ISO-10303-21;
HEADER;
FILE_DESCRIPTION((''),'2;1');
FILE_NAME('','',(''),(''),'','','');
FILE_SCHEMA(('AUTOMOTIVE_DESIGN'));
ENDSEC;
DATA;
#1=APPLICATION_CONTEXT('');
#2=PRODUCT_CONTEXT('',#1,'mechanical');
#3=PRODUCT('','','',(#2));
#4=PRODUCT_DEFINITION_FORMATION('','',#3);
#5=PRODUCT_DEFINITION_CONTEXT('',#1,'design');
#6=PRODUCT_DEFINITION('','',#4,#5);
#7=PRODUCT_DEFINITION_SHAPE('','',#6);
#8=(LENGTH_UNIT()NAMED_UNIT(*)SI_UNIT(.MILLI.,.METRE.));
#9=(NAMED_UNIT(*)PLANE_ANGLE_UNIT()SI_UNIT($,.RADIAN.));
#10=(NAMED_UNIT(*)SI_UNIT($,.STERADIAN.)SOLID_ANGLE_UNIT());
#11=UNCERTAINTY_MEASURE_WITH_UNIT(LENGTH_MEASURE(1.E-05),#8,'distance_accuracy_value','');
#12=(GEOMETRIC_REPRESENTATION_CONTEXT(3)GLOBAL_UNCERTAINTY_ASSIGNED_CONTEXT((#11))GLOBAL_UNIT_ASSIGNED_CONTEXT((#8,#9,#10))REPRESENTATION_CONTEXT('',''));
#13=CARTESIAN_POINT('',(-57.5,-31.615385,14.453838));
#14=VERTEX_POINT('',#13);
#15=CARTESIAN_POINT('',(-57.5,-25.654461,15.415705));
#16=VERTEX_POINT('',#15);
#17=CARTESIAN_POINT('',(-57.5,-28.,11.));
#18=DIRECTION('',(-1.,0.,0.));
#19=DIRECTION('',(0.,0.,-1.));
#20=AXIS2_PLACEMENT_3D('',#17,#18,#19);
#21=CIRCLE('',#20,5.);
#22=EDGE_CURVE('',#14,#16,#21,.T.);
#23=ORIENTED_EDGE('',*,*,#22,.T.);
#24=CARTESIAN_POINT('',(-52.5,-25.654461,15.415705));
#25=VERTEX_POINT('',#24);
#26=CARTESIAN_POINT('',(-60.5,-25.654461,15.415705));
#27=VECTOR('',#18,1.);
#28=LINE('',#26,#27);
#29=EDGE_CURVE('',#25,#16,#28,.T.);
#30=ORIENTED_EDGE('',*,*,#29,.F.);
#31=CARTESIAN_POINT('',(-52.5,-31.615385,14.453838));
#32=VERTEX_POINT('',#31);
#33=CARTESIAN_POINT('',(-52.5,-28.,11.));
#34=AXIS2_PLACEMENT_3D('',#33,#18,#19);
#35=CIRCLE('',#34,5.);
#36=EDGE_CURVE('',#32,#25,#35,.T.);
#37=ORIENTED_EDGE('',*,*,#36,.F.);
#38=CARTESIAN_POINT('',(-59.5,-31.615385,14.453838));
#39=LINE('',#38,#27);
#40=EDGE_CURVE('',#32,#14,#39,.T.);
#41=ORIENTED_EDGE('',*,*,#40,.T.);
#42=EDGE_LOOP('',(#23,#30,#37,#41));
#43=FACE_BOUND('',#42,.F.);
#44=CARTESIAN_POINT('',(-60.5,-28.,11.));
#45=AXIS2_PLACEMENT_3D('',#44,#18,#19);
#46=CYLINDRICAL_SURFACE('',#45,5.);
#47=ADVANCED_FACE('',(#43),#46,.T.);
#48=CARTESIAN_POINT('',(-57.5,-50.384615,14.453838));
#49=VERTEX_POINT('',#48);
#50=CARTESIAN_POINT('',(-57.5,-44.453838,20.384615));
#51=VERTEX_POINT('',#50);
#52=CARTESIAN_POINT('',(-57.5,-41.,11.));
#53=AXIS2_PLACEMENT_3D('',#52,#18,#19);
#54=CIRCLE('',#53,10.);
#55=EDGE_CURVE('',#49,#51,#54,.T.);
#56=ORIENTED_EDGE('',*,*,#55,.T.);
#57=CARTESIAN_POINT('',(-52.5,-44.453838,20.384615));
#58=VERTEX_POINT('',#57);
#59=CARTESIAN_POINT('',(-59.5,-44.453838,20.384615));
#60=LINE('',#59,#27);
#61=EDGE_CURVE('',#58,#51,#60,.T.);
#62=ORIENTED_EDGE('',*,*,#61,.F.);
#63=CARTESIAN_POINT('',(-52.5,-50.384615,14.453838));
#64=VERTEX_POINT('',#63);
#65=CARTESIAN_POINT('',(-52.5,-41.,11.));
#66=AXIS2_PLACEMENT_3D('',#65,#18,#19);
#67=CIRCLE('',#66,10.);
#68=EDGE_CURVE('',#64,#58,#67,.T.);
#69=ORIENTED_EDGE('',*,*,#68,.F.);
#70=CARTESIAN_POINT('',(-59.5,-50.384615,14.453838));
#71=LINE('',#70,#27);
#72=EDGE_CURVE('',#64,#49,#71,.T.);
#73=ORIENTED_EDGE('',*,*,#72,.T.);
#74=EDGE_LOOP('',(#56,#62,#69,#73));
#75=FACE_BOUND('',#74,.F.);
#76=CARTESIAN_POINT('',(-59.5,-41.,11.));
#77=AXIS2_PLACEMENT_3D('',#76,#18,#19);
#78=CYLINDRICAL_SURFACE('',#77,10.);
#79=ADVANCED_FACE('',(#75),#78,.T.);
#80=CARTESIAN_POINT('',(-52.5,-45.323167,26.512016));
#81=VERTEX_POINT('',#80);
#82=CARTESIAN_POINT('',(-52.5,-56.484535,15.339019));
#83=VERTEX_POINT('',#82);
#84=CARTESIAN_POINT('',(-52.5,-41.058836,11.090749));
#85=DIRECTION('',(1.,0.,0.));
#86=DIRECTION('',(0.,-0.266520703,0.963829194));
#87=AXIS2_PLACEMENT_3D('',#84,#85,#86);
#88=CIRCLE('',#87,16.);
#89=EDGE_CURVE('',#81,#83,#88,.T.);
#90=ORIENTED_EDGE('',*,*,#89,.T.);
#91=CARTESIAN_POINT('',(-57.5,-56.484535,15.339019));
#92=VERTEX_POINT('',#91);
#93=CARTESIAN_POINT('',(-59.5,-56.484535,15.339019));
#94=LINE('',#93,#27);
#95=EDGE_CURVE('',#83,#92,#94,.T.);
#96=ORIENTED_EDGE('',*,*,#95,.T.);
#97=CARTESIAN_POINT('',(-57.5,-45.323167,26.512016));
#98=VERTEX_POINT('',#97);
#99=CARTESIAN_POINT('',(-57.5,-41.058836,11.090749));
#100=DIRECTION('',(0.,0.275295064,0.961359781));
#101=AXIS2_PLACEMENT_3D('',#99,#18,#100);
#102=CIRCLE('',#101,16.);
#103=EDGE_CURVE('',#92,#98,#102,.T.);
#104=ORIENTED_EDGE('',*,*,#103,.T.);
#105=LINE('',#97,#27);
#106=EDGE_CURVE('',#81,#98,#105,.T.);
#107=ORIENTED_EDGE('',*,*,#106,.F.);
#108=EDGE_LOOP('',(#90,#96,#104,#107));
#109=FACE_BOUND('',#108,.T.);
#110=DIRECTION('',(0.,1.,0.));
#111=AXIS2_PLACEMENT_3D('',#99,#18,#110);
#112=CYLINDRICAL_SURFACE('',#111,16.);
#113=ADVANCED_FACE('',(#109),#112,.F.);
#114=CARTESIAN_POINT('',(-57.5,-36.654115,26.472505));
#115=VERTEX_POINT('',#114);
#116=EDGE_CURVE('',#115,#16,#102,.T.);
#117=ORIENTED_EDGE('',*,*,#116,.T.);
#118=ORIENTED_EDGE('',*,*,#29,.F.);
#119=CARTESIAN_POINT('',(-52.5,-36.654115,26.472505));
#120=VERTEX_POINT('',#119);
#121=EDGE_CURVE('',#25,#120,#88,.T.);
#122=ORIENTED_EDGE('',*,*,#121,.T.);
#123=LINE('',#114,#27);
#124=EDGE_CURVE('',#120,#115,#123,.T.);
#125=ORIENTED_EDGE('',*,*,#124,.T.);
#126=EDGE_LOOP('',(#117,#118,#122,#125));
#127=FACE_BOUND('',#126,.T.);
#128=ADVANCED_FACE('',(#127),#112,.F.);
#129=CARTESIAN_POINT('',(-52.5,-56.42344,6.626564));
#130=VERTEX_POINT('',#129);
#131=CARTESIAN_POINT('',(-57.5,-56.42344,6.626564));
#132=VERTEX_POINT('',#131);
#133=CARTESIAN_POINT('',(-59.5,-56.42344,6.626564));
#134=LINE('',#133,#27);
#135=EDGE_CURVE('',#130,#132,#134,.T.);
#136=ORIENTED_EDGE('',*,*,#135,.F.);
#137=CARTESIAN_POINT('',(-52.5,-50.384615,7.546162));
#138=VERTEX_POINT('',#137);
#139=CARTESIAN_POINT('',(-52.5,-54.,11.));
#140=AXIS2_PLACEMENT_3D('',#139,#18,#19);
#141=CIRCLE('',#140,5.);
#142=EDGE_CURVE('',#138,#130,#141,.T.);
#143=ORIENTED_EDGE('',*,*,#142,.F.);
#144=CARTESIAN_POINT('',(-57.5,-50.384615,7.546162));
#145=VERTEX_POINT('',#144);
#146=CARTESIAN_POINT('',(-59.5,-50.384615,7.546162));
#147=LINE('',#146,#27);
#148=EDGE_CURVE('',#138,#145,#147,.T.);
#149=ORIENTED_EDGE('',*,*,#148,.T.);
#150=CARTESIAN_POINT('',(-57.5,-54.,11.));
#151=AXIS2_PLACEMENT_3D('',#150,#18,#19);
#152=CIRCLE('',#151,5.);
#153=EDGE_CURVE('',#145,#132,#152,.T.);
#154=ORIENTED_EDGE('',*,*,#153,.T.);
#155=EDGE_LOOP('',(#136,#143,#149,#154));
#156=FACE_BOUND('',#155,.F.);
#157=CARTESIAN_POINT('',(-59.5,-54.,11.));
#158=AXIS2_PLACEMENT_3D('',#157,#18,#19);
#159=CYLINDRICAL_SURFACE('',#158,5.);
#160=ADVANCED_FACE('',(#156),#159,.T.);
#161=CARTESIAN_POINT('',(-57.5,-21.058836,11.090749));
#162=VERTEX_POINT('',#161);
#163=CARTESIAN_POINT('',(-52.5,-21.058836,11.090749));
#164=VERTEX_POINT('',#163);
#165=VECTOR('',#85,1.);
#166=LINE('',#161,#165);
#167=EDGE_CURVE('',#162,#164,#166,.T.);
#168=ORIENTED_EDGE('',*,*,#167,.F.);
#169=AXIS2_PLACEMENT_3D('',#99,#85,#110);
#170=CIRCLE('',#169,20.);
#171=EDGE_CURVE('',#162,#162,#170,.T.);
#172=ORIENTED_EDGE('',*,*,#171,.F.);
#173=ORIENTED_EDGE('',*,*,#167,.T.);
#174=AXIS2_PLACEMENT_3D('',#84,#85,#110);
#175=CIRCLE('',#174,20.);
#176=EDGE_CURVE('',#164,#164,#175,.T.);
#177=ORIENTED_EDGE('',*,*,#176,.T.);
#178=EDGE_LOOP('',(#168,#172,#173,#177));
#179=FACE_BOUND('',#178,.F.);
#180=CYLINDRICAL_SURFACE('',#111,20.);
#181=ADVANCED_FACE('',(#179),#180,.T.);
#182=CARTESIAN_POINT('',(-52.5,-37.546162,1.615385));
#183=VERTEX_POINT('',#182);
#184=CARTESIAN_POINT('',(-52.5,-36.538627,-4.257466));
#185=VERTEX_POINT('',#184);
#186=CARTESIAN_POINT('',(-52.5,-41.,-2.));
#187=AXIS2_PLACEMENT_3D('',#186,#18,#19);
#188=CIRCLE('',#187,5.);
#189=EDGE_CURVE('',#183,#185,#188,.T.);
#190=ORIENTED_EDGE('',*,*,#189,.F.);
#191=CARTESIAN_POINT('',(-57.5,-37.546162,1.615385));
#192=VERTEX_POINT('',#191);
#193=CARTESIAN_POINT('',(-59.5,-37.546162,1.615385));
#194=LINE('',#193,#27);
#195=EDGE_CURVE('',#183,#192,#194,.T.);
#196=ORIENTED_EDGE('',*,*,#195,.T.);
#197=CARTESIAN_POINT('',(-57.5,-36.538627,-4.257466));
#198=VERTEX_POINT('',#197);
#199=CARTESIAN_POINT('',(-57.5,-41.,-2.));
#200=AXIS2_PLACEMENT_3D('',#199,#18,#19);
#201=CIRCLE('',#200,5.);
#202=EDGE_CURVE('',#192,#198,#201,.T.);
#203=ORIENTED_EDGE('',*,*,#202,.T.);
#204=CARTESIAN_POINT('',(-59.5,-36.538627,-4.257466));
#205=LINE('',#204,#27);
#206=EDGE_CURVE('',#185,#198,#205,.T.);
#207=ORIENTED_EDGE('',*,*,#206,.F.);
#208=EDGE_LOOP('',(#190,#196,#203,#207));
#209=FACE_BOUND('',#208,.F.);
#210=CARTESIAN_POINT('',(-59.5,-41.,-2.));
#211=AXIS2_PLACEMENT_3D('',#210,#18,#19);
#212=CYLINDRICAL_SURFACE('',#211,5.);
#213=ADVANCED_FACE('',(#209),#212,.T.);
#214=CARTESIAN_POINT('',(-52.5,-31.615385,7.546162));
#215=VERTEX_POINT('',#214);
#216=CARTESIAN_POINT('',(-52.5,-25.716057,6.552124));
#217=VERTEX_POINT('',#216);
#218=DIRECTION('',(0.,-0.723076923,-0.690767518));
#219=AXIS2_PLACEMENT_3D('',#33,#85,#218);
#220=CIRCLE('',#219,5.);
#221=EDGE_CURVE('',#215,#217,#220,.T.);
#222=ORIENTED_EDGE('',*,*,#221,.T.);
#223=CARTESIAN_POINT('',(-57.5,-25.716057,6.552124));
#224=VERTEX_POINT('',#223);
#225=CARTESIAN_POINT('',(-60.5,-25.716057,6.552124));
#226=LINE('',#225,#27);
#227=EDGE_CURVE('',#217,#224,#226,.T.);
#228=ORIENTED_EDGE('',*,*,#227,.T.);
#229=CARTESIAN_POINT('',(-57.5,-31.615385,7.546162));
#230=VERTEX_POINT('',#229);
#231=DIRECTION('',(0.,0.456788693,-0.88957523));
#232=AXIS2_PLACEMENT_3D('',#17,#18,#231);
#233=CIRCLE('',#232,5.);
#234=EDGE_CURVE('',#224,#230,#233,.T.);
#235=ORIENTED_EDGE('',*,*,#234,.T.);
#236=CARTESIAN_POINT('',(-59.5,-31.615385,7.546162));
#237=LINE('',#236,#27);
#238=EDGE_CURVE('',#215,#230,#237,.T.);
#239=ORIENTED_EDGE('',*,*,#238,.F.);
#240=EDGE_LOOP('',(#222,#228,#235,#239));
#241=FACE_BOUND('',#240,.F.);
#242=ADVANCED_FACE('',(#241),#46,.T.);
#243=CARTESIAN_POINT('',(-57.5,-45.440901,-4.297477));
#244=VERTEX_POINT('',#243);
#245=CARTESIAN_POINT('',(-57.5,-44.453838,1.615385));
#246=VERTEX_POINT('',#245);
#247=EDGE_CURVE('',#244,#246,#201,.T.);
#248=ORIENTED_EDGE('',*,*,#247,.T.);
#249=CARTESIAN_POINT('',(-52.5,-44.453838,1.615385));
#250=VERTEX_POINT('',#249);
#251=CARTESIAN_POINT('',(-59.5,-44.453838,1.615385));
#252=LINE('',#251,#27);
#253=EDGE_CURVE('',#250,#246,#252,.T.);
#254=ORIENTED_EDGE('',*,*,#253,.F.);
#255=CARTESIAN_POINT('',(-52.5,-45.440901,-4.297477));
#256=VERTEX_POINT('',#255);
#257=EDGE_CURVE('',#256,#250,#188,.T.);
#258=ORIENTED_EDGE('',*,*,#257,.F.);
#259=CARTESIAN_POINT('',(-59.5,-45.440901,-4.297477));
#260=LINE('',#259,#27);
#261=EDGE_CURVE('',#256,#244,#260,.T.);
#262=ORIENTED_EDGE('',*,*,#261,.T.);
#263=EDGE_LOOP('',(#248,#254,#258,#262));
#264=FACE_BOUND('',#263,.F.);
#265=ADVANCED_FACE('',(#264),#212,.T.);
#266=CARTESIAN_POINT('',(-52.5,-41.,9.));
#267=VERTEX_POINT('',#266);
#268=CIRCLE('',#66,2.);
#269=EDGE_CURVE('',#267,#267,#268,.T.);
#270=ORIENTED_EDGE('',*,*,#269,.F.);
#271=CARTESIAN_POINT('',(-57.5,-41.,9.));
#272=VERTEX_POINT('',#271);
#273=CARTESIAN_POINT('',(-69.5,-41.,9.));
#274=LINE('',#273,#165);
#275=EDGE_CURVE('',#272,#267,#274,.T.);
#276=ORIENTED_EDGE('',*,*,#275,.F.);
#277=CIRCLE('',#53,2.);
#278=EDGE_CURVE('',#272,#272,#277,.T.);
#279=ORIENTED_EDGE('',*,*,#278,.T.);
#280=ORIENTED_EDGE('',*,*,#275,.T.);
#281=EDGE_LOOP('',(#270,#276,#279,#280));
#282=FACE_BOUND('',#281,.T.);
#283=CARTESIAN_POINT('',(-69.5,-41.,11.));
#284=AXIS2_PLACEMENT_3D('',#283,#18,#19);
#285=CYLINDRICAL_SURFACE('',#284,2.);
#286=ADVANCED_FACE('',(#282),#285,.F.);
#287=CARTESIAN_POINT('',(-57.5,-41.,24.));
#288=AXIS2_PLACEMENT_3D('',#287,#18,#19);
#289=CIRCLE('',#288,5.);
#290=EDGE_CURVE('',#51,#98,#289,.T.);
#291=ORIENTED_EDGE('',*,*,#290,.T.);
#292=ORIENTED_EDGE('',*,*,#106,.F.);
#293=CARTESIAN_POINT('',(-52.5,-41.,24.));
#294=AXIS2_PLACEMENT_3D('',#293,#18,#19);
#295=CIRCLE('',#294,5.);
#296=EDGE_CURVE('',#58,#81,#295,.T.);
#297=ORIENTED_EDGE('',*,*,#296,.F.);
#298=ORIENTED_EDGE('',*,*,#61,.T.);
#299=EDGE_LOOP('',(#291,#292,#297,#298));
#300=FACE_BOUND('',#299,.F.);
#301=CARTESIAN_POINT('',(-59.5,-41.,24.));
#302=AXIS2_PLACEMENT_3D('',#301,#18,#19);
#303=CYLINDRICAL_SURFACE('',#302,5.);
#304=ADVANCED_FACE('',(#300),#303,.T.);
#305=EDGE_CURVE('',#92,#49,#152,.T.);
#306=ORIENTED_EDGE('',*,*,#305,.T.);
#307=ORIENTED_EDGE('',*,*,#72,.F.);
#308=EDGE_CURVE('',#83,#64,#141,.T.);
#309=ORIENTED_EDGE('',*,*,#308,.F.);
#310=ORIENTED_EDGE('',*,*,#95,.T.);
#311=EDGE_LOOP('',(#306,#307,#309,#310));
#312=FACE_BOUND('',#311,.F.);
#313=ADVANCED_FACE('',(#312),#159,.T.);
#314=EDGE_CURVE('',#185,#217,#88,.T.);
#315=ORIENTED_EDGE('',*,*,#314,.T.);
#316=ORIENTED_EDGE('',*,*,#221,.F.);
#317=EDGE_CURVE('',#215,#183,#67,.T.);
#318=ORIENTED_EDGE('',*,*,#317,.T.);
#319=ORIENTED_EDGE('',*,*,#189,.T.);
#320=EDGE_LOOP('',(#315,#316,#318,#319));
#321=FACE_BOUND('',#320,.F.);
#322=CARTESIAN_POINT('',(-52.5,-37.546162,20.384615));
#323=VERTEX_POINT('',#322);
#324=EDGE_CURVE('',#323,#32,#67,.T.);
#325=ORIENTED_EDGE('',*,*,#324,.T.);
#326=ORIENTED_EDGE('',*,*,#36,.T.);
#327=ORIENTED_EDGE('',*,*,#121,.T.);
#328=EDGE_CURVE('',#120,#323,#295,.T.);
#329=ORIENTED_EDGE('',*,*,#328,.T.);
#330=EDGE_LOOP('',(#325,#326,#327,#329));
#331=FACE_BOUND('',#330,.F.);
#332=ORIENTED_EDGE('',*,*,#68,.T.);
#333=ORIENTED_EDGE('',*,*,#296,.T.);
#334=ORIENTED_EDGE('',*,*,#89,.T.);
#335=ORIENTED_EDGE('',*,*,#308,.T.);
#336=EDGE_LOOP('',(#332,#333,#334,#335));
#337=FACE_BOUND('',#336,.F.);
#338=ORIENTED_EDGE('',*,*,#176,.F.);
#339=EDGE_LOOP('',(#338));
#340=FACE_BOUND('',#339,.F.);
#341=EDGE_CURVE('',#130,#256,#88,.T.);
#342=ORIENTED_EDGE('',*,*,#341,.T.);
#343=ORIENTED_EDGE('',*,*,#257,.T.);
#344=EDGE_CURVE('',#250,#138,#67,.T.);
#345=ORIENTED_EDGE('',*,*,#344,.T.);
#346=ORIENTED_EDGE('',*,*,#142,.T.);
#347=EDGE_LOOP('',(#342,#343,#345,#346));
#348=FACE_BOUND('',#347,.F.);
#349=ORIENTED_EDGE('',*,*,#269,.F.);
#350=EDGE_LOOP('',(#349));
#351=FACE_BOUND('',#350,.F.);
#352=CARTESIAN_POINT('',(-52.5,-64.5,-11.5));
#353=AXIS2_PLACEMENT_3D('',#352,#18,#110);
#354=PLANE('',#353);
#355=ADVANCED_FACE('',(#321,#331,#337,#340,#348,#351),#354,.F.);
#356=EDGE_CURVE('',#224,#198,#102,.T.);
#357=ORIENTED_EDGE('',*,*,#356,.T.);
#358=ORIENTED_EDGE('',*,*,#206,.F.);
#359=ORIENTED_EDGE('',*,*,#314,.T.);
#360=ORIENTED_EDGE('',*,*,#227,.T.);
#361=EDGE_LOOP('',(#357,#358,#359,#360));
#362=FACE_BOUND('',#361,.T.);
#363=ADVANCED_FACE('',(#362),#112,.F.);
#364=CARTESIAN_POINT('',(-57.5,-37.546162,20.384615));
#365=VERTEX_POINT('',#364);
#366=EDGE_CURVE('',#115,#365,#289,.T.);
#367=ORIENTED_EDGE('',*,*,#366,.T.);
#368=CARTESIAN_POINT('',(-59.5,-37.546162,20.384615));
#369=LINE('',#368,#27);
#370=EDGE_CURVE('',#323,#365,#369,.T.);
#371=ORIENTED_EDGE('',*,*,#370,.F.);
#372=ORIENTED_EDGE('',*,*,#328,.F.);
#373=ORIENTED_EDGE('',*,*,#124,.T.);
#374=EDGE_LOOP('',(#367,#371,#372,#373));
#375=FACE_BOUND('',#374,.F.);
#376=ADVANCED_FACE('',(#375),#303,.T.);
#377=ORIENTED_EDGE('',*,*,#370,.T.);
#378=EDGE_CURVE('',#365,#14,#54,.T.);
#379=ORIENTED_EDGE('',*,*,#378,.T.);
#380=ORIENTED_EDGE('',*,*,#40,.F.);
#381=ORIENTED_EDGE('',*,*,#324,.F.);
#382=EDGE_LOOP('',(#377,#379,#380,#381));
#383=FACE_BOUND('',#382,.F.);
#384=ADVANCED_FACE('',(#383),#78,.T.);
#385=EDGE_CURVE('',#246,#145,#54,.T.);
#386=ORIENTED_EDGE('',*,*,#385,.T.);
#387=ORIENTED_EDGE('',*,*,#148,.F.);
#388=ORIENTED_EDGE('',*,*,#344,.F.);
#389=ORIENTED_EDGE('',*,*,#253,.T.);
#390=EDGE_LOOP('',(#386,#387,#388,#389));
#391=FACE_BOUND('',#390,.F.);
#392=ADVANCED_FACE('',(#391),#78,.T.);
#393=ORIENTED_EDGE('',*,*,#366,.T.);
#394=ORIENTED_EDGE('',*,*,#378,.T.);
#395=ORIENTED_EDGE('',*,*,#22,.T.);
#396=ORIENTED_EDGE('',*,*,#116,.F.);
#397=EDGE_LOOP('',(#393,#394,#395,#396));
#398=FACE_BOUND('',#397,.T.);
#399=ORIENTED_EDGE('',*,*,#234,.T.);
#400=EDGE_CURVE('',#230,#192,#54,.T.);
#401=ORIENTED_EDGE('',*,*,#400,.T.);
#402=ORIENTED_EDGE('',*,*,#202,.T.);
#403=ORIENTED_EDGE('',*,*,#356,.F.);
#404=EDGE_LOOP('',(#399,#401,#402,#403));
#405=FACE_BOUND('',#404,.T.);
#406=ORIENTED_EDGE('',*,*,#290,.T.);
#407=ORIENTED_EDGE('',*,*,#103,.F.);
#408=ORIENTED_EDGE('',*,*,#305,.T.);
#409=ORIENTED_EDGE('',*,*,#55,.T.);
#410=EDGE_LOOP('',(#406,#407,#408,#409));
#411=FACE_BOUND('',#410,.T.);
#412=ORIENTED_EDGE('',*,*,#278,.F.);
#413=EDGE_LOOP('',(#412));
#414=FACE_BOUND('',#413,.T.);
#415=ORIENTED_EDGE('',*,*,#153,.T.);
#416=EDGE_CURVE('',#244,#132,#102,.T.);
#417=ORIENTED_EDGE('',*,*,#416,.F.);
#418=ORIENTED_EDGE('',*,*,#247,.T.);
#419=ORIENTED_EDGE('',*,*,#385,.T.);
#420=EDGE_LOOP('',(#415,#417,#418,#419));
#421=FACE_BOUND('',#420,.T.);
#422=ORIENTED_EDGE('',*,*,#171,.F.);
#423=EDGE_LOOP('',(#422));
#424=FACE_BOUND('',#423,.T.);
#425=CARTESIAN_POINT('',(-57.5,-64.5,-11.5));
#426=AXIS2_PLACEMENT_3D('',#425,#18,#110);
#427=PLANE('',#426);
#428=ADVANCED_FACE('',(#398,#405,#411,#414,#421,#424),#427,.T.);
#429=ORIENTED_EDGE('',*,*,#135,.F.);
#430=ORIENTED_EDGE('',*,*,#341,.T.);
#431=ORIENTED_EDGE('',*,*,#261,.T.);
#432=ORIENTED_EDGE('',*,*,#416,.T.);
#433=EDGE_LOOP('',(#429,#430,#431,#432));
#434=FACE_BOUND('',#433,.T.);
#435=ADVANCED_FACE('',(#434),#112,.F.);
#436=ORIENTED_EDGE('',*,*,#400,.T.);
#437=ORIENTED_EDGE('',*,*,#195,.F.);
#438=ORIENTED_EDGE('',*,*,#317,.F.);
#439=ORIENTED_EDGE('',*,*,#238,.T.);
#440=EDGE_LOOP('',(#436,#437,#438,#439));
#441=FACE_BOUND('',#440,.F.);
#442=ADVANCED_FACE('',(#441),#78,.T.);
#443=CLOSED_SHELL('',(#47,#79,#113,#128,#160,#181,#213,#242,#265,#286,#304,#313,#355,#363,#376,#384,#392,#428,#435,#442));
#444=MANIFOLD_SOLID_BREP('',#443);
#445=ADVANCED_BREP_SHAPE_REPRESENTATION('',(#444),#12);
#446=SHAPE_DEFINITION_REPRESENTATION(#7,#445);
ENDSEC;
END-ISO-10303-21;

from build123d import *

# Parameters (mm, degrees)
BOX006_W                = 10
BOX006_H                = 45
BOX006_DEPTH            = 45
BOX004_W                = 10
BOX004_H                = 45
BOX004_DEPTH            = 45
CYLINDER012_R           = 5
CYLINDER012_DEPTH       = 10
CYLINDER012_PITCH_ANGLE = 90
SKETCH005_R             = 20
SKETCH005_R_2           = 16
PAD010_DEPTH            = 5
CYLINDER014_R           = 5
CYLINDER014_DEPTH       = 10
CYLINDER014_PITCH_ANGLE = 90
CYLINDER016_R           = 5
CYLINDER016_DEPTH       = 10
CYLINDER016_PITCH_ANGLE = 90
CYLINDER015_R           = 5
CYLINDER015_DEPTH       = 10
CYLINDER015_PITCH_ANGLE = 90
CYLINDER013_R           = 2
CYLINDER013_DEPTH       = 30
CYLINDER013_PITCH_ANGLE = 90
CYLINDER017_R           = 10
CYLINDER017_DEPTH       = 10
CYLINDER017_PITCH_ANGLE = 90


with BuildPart() as cube006:
    # Box006 → Box006 (new body)
    with BuildSketch(Plane(origin=(-10, -54, -57), x_dir=(1, 0, 0), z_dir=(0, 0, 1))):
        with Locations((5, 22.5)):
            Rectangle(BOX006_W, BOX006_H)
    extrude(amount=BOX006_DEPTH)


with BuildPart() as cube004:
    # Box004 → Box004 (new body)
    with BuildSketch(Plane(origin=(5, -54, -57), x_dir=(1, 0, 0), z_dir=(0, 0, 1))):
        with Locations((5, 22.5)):
            Rectangle(BOX004_W, BOX004_H)
    extrude(amount=BOX004_DEPTH)


with BuildPart() as cylinder:
    # Cylinder012 → Cylinder012 (new body)
    with BuildSketch(Plane.XY):
        Circle(CYLINDER012_R)
    extrude(amount=CYLINDER012_DEPTH)


with BuildPart() as cylinder_1:
    # Cylinder012 pitch: moved
    add(cylinder.part.rotate(Axis((0, 0, 0), (0, 1, 0)), CYLINDER012_PITCH_ANGLE))


with BuildPart() as cylinder_2:
    # Cylinder012 placement: moved
    add(cylinder_1.part.moved(Location((-2, -30.5, -21.5))))


with BuildPart() as fusion012:
    # Sketch005 → Pad010 (new body)
    with BuildSketch(Plane.YZ):
        with Locations((-30.558836, -34.409251)):
            Circle(SKETCH005_R)
        with Locations((-30.558836, -34.409251)):
            Circle(SKETCH005_R_2, mode=Mode.SUBTRACT)
    extrude(amount=PAD010_DEPTH)

    # Fusion012: union Cylinder
    add(cylinder_2.part)


with BuildPart() as fusion013:
    # Cylinder014 → Cylinder014 (new body)
    with BuildSketch(Plane.XY):
        Circle(CYLINDER014_R)
    extrude(amount=CYLINDER014_DEPTH)


with BuildPart() as fusion013_1:
    # Cylinder014 pitch: moved
    add(fusion013.part.rotate(Axis((0, 0, 0), (0, 1, 0)), CYLINDER014_PITCH_ANGLE))


with BuildPart() as fusion013_2:
    # Cylinder014 placement: moved
    add(fusion013_1.part.moved(Location((-2, -43.5, -34.5))))

    # Fusion013: union Fusion012
    add(fusion012.part)


with BuildPart() as fusion014:
    # Cylinder016 → Cylinder016 (new body)
    with BuildSketch(Plane.XY):
        Circle(CYLINDER016_R)
    extrude(amount=CYLINDER016_DEPTH)


with BuildPart() as fusion014_1:
    # Cylinder016 pitch: moved
    add(fusion014.part.rotate(Axis((0, 0, 0), (0, 1, 0)), CYLINDER016_PITCH_ANGLE))


with BuildPart() as fusion014_2:
    # Cylinder016 placement: moved
    add(fusion014_1.part.moved(Location((-2, -30.5, -47.5))))

    # Fusion014: union Fusion013
    add(fusion013_2.part)


with BuildPart() as fusion015:
    # Cylinder015 → Cylinder015 (new body)
    with BuildSketch(Plane.XY):
        Circle(CYLINDER015_R)
    extrude(amount=CYLINDER015_DEPTH)


with BuildPart() as fusion015_1:
    # Cylinder015 pitch: moved
    add(fusion015.part.rotate(Axis((0, 0, 0), (0, 1, 0)), CYLINDER015_PITCH_ANGLE))


with BuildPart() as fusion015_2:
    # Cylinder015 placement: moved
    add(fusion015_1.part.moved(Location((-3, -17.5, -34.5))))

    # Fusion015: union Fusion014
    add(fusion014_2.part)


with BuildPart() as cylinder011:
    # Cylinder013 → Cylinder013 (new body)
    with BuildSketch(Plane.XY):
        Circle(CYLINDER013_R)
    extrude(amount=CYLINDER013_DEPTH)


with BuildPart() as cylinder011_1:
    # Cylinder013 pitch: moved
    add(cylinder011.part.rotate(Axis((0, 0, 0), (0, 1, 0)), CYLINDER013_PITCH_ANGLE))


with BuildPart() as cylinder011_2:
    # Cylinder013 placement: moved
    add(cylinder011_1.part.moved(Location((-12, -30.5, -34.5))))


with BuildPart() as cut009:
    # Cylinder017 → Cylinder017 (new body)
    with BuildSketch(Plane.XY):
        Circle(CYLINDER017_R)
    extrude(amount=CYLINDER017_DEPTH)


with BuildPart() as cut009_1:
    # Cylinder017 pitch: moved
    add(cut009.part.rotate(Axis((0, 0, 0), (0, 1, 0)), CYLINDER017_PITCH_ANGLE))


with BuildPart() as cut009_2:
    # Cylinder017 placement: moved
    add(cut009_1.part.moved(Location((-2, -30.5, -34.5))))

    # Cut006: cut Cylinder011
    add(cylinder011_2.part, mode=Mode.SUBTRACT)

    # Fusion016: union Fusion015
    add(fusion015_2.part)

    # Cut010: cut Cube004
    add(cube004.part, mode=Mode.SUBTRACT)

    # Cut009: cut Cube006
    add(cube006.part, mode=Mode.SUBTRACT)


with BuildPart() as cut009_3:
    # Cut009 placement: moved
    add(cut009_2.part.moved(Location((-57.5, -10.5, 45.5))))


solid = cut009_3.part
